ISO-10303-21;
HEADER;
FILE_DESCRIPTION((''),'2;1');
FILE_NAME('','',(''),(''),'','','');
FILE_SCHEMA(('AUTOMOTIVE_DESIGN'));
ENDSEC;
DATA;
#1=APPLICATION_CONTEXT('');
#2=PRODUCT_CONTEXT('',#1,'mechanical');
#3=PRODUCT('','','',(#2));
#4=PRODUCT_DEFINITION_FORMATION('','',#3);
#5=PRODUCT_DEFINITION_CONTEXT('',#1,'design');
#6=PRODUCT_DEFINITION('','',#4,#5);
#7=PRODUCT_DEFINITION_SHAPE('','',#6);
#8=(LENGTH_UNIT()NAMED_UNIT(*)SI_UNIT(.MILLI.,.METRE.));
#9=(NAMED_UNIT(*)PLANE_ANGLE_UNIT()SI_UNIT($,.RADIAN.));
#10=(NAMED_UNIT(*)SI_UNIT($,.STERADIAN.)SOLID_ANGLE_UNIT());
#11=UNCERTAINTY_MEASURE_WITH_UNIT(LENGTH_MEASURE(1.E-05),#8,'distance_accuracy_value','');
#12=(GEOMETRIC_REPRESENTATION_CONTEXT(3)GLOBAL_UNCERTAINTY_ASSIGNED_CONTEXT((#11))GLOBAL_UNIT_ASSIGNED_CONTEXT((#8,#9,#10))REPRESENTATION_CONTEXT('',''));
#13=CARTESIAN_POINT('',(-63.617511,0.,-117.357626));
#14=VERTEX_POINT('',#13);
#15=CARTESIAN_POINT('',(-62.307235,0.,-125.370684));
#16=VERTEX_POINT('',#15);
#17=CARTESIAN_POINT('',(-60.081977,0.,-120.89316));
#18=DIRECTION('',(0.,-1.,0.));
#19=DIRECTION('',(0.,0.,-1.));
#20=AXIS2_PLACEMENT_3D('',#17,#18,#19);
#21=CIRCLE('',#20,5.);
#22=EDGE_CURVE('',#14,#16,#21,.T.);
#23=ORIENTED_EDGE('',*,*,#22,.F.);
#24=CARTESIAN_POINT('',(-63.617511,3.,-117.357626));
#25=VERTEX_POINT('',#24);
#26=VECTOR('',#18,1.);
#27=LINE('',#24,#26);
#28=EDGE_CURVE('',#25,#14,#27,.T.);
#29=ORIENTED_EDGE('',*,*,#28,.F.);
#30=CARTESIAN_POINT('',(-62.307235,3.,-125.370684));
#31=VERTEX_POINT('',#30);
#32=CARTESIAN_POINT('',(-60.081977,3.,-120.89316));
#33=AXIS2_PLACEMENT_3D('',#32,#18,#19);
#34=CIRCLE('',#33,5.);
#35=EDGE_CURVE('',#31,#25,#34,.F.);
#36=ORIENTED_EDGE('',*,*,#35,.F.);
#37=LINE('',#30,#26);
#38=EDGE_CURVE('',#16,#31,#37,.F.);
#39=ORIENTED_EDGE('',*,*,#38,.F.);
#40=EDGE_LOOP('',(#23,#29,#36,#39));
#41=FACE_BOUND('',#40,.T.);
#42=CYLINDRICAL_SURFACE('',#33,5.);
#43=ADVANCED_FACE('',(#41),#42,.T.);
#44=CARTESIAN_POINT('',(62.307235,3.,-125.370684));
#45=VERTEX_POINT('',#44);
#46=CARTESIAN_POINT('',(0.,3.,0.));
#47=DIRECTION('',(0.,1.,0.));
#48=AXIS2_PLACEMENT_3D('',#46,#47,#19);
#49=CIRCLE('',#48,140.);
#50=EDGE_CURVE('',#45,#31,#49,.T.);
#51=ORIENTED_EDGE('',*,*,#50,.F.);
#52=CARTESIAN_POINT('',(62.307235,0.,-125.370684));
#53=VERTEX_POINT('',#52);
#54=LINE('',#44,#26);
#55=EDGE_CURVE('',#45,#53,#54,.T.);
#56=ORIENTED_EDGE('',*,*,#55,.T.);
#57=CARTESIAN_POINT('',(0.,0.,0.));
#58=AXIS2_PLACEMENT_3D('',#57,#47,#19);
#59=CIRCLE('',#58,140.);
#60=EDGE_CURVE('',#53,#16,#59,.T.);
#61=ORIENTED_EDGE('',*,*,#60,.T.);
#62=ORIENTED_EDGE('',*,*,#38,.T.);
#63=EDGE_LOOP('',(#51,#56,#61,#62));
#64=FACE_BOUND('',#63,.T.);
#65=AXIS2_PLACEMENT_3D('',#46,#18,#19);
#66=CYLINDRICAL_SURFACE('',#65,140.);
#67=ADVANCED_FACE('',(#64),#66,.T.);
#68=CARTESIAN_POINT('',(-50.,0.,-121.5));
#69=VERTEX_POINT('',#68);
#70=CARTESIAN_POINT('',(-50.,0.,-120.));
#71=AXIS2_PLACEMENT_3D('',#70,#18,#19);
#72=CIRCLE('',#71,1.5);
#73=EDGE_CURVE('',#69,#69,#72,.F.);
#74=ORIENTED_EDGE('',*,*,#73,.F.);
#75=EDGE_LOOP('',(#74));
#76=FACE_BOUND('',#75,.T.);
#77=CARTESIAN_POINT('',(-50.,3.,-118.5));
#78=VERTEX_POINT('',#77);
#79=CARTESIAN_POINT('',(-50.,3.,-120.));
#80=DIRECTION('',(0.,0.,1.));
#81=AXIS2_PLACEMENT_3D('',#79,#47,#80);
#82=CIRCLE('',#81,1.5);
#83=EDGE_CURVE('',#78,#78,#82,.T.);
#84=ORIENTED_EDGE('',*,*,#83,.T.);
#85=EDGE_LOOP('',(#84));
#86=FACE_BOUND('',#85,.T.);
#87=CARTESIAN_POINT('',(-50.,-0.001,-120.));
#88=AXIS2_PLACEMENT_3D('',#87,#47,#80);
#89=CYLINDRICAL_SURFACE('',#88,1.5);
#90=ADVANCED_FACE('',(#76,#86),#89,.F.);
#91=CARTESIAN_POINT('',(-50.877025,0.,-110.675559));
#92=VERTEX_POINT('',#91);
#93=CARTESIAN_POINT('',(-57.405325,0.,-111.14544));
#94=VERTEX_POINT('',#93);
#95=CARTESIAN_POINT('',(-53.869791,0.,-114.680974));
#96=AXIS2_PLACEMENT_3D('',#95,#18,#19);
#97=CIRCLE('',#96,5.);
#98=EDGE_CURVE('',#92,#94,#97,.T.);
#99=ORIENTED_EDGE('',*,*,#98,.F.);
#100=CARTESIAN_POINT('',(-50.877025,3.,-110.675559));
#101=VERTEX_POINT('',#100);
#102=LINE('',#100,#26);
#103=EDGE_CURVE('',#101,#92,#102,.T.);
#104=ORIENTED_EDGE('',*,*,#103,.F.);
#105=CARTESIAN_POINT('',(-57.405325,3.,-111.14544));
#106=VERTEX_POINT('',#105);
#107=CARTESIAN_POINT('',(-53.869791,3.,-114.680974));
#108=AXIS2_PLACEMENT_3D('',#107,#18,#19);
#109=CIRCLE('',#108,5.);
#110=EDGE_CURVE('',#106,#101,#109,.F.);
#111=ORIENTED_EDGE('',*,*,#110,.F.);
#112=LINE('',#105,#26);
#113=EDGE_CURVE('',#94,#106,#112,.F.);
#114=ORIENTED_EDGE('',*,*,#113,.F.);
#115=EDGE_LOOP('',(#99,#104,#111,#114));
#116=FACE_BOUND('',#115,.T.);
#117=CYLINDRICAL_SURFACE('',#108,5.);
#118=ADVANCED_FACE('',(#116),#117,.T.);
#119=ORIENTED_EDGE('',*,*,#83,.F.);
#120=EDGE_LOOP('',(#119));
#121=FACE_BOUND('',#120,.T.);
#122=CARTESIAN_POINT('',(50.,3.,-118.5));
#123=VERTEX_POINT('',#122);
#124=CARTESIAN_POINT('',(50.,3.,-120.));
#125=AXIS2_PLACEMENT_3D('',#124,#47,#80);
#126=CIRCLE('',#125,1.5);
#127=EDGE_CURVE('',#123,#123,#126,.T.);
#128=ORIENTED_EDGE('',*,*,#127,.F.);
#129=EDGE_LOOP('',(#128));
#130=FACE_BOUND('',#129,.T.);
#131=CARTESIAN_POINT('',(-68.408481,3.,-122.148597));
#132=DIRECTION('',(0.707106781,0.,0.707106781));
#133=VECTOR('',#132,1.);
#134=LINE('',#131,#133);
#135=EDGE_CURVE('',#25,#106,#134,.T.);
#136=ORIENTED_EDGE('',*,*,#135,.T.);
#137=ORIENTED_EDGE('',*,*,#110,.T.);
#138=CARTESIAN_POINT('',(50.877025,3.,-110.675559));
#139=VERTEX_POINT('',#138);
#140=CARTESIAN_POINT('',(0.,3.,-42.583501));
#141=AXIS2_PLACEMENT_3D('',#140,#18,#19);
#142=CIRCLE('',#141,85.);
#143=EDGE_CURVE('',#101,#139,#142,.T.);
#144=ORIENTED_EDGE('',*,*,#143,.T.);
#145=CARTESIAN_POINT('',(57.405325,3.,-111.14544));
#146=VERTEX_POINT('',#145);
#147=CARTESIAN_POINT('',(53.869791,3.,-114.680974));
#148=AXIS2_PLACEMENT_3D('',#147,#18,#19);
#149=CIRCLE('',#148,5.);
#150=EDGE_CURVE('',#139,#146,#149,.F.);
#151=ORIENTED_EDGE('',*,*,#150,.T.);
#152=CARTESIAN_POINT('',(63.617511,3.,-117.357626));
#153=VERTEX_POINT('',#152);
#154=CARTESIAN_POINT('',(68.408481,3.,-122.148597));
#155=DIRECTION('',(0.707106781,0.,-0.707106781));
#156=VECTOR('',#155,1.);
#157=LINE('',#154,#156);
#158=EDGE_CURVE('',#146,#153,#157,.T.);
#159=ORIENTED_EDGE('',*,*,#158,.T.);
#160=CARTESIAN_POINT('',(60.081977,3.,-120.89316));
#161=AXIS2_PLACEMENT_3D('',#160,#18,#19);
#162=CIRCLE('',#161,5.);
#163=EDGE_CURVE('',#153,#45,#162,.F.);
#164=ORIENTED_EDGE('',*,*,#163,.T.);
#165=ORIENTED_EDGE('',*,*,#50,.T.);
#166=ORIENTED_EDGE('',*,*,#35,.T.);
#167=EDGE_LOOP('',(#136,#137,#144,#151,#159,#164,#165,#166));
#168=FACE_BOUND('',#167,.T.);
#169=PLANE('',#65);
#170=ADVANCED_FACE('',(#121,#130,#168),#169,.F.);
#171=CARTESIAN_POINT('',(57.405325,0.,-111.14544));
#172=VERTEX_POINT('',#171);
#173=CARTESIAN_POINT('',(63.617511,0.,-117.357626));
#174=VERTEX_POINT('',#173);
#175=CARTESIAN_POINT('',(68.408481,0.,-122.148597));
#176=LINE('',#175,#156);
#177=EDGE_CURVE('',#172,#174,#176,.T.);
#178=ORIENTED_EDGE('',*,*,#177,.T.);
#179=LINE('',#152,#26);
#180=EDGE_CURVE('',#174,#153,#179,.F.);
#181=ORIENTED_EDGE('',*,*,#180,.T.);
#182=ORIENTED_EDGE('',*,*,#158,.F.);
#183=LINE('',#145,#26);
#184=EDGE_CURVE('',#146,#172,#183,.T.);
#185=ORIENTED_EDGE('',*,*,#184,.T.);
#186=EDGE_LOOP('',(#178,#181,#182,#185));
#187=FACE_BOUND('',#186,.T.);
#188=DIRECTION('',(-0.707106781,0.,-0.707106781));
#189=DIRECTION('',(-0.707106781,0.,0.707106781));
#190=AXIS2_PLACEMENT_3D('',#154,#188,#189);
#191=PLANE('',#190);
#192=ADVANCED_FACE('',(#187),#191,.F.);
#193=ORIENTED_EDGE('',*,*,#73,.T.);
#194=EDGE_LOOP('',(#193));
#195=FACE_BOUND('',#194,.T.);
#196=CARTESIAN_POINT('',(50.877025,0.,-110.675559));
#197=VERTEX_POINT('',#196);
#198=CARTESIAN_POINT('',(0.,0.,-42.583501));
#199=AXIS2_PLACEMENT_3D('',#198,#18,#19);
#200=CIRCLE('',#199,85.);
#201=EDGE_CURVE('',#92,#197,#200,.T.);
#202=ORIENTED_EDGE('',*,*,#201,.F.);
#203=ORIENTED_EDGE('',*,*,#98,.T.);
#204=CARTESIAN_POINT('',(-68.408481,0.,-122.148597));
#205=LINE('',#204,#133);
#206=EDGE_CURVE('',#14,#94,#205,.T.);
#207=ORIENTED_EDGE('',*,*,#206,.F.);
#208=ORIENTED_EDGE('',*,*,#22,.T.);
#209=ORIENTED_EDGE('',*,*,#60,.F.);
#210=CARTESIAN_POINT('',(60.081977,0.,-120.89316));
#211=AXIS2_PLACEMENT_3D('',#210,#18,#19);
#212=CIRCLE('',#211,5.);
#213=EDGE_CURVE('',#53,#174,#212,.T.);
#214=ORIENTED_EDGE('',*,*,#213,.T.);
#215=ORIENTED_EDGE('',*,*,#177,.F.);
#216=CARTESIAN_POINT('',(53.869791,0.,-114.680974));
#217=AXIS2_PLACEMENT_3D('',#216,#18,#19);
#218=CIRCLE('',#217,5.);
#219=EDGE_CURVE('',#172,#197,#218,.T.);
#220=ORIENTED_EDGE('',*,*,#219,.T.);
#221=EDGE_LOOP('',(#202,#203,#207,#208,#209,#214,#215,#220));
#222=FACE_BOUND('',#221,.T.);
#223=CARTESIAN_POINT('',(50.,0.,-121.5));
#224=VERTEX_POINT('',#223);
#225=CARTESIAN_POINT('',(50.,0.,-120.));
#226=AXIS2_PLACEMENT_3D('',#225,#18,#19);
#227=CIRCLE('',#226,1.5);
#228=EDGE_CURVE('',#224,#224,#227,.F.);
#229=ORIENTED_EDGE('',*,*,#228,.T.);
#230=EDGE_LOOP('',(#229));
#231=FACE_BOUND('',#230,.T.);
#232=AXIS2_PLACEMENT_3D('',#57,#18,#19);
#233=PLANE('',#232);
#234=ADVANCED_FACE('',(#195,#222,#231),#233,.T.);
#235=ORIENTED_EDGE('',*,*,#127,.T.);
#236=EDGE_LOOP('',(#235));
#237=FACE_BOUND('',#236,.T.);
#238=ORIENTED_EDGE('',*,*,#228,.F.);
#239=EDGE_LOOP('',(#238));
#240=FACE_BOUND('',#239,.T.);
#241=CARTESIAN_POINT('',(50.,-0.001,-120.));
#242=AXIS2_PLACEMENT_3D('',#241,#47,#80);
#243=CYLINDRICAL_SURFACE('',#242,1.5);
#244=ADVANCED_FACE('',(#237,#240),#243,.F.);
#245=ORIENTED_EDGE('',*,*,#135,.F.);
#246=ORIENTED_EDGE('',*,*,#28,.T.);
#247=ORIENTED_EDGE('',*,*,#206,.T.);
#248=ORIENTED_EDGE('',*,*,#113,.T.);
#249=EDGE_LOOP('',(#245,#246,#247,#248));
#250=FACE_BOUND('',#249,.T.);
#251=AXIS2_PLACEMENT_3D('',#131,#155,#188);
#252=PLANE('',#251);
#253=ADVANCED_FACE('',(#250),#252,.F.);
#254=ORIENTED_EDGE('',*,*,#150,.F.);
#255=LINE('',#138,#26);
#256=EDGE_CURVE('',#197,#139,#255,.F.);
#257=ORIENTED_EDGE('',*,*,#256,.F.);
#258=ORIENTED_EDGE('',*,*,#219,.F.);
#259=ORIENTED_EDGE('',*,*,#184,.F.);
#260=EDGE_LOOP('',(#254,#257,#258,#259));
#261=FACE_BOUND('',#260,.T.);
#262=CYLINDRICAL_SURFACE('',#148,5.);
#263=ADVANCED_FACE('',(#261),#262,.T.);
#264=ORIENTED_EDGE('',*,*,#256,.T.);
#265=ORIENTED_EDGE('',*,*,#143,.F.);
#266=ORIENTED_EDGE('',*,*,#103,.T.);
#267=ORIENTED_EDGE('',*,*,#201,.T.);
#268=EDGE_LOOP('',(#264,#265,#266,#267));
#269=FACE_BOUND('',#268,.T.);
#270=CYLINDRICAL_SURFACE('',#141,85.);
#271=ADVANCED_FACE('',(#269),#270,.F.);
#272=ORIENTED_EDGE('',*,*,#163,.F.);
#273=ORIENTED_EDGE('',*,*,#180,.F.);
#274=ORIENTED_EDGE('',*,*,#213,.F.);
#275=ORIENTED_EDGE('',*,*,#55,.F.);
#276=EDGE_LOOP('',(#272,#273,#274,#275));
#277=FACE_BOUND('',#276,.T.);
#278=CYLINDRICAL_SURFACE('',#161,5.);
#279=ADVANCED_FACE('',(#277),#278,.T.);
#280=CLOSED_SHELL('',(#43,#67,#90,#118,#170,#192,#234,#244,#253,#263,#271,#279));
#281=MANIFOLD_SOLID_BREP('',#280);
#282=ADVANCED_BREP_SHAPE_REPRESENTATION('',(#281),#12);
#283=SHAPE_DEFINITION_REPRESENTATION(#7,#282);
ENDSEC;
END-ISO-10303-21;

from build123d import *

# Parameters (mm, degrees)
BOSS_EXTRUDE1_DEPTH = 3
FILLET1_R           = 5
CUT_EXTRUDE1_REACH  = 5
SKETCH2_R           = 1.5


with BuildPart() as part:
    # Sketch1 → Boss-Extrude1 (new body)
    with BuildSketch(Plane(origin=(0, 0, 0), x_dir=(1, 0, 0), z_dir=(0, 1, 0))):
        with BuildLine():
            Line((-68.408481347, 122.148596717), (-54.266345723, 108.006461093))
            ThreePointArc((-54.266345723, 108.006461093), (0, 127.583500889), (54.266345723, 108.006461093))
            Line((54.266345723, 108.006461093), (68.408481347, 122.148596717))
            ThreePointArc((68.408481347, 122.148596717), (0, 140), (-68.408481347, 122.148596717))
        make_face()
    extrude(amount=BOSS_EXTRUDE1_DEPTH)

    # Fillet1
    fillet1_edges = [part.edges().sort_by_distance(p)[0] for p in [
        (68.408481347, 1.5, -122.148596717),
        (54.266345723, 1.5, -108.006461093),
        (-54.266345723, 1.5, -108.006461093),
        (-68.408481347, 1.5, -122.148596717),
    ]]
    fillet(fillet1_edges, radius=FILLET1_R)

    # Sketch2 → Cut-Extrude1 (cut, up to next)
    with BuildSketch(Plane(origin=(0, 3, 0), x_dir=(1, 0, 0), z_dir=(0, 1, 0)), mode=Mode.PRIVATE) as cut_extrude1_sk1:
        with Locations((-50, 120)):
            Circle(SKETCH2_R)
    cut_extrude1_tool1 = extrude(cut_extrude1_sk1.sketch, amount=-CUT_EXTRUDE1_REACH, mode=Mode.PRIVATE) & part.part
    add(cut_extrude1_tool1.solids().sort_by_distance((-50, 3, -120))[0], mode=Mode.SUBTRACT)
    # Sketch2 → Cut-Extrude1 (cut, up to next)
    with BuildSketch(Plane(origin=(0, 3, 0), x_dir=(1, 0, 0), z_dir=(0, 1, 0)), mode=Mode.PRIVATE) as cut_extrude1_sk2:
        with Locations((50, 120)):
            Circle(SKETCH2_R)
    cut_extrude1_tool2 = extrude(cut_extrude1_sk2.sketch, amount=-CUT_EXTRUDE1_REACH, mode=Mode.PRIVATE) & part.part
    add(cut_extrude1_tool2.solids().sort_by_distance((50, 3, -120))[0], mode=Mode.SUBTRACT)


solid = part.part
